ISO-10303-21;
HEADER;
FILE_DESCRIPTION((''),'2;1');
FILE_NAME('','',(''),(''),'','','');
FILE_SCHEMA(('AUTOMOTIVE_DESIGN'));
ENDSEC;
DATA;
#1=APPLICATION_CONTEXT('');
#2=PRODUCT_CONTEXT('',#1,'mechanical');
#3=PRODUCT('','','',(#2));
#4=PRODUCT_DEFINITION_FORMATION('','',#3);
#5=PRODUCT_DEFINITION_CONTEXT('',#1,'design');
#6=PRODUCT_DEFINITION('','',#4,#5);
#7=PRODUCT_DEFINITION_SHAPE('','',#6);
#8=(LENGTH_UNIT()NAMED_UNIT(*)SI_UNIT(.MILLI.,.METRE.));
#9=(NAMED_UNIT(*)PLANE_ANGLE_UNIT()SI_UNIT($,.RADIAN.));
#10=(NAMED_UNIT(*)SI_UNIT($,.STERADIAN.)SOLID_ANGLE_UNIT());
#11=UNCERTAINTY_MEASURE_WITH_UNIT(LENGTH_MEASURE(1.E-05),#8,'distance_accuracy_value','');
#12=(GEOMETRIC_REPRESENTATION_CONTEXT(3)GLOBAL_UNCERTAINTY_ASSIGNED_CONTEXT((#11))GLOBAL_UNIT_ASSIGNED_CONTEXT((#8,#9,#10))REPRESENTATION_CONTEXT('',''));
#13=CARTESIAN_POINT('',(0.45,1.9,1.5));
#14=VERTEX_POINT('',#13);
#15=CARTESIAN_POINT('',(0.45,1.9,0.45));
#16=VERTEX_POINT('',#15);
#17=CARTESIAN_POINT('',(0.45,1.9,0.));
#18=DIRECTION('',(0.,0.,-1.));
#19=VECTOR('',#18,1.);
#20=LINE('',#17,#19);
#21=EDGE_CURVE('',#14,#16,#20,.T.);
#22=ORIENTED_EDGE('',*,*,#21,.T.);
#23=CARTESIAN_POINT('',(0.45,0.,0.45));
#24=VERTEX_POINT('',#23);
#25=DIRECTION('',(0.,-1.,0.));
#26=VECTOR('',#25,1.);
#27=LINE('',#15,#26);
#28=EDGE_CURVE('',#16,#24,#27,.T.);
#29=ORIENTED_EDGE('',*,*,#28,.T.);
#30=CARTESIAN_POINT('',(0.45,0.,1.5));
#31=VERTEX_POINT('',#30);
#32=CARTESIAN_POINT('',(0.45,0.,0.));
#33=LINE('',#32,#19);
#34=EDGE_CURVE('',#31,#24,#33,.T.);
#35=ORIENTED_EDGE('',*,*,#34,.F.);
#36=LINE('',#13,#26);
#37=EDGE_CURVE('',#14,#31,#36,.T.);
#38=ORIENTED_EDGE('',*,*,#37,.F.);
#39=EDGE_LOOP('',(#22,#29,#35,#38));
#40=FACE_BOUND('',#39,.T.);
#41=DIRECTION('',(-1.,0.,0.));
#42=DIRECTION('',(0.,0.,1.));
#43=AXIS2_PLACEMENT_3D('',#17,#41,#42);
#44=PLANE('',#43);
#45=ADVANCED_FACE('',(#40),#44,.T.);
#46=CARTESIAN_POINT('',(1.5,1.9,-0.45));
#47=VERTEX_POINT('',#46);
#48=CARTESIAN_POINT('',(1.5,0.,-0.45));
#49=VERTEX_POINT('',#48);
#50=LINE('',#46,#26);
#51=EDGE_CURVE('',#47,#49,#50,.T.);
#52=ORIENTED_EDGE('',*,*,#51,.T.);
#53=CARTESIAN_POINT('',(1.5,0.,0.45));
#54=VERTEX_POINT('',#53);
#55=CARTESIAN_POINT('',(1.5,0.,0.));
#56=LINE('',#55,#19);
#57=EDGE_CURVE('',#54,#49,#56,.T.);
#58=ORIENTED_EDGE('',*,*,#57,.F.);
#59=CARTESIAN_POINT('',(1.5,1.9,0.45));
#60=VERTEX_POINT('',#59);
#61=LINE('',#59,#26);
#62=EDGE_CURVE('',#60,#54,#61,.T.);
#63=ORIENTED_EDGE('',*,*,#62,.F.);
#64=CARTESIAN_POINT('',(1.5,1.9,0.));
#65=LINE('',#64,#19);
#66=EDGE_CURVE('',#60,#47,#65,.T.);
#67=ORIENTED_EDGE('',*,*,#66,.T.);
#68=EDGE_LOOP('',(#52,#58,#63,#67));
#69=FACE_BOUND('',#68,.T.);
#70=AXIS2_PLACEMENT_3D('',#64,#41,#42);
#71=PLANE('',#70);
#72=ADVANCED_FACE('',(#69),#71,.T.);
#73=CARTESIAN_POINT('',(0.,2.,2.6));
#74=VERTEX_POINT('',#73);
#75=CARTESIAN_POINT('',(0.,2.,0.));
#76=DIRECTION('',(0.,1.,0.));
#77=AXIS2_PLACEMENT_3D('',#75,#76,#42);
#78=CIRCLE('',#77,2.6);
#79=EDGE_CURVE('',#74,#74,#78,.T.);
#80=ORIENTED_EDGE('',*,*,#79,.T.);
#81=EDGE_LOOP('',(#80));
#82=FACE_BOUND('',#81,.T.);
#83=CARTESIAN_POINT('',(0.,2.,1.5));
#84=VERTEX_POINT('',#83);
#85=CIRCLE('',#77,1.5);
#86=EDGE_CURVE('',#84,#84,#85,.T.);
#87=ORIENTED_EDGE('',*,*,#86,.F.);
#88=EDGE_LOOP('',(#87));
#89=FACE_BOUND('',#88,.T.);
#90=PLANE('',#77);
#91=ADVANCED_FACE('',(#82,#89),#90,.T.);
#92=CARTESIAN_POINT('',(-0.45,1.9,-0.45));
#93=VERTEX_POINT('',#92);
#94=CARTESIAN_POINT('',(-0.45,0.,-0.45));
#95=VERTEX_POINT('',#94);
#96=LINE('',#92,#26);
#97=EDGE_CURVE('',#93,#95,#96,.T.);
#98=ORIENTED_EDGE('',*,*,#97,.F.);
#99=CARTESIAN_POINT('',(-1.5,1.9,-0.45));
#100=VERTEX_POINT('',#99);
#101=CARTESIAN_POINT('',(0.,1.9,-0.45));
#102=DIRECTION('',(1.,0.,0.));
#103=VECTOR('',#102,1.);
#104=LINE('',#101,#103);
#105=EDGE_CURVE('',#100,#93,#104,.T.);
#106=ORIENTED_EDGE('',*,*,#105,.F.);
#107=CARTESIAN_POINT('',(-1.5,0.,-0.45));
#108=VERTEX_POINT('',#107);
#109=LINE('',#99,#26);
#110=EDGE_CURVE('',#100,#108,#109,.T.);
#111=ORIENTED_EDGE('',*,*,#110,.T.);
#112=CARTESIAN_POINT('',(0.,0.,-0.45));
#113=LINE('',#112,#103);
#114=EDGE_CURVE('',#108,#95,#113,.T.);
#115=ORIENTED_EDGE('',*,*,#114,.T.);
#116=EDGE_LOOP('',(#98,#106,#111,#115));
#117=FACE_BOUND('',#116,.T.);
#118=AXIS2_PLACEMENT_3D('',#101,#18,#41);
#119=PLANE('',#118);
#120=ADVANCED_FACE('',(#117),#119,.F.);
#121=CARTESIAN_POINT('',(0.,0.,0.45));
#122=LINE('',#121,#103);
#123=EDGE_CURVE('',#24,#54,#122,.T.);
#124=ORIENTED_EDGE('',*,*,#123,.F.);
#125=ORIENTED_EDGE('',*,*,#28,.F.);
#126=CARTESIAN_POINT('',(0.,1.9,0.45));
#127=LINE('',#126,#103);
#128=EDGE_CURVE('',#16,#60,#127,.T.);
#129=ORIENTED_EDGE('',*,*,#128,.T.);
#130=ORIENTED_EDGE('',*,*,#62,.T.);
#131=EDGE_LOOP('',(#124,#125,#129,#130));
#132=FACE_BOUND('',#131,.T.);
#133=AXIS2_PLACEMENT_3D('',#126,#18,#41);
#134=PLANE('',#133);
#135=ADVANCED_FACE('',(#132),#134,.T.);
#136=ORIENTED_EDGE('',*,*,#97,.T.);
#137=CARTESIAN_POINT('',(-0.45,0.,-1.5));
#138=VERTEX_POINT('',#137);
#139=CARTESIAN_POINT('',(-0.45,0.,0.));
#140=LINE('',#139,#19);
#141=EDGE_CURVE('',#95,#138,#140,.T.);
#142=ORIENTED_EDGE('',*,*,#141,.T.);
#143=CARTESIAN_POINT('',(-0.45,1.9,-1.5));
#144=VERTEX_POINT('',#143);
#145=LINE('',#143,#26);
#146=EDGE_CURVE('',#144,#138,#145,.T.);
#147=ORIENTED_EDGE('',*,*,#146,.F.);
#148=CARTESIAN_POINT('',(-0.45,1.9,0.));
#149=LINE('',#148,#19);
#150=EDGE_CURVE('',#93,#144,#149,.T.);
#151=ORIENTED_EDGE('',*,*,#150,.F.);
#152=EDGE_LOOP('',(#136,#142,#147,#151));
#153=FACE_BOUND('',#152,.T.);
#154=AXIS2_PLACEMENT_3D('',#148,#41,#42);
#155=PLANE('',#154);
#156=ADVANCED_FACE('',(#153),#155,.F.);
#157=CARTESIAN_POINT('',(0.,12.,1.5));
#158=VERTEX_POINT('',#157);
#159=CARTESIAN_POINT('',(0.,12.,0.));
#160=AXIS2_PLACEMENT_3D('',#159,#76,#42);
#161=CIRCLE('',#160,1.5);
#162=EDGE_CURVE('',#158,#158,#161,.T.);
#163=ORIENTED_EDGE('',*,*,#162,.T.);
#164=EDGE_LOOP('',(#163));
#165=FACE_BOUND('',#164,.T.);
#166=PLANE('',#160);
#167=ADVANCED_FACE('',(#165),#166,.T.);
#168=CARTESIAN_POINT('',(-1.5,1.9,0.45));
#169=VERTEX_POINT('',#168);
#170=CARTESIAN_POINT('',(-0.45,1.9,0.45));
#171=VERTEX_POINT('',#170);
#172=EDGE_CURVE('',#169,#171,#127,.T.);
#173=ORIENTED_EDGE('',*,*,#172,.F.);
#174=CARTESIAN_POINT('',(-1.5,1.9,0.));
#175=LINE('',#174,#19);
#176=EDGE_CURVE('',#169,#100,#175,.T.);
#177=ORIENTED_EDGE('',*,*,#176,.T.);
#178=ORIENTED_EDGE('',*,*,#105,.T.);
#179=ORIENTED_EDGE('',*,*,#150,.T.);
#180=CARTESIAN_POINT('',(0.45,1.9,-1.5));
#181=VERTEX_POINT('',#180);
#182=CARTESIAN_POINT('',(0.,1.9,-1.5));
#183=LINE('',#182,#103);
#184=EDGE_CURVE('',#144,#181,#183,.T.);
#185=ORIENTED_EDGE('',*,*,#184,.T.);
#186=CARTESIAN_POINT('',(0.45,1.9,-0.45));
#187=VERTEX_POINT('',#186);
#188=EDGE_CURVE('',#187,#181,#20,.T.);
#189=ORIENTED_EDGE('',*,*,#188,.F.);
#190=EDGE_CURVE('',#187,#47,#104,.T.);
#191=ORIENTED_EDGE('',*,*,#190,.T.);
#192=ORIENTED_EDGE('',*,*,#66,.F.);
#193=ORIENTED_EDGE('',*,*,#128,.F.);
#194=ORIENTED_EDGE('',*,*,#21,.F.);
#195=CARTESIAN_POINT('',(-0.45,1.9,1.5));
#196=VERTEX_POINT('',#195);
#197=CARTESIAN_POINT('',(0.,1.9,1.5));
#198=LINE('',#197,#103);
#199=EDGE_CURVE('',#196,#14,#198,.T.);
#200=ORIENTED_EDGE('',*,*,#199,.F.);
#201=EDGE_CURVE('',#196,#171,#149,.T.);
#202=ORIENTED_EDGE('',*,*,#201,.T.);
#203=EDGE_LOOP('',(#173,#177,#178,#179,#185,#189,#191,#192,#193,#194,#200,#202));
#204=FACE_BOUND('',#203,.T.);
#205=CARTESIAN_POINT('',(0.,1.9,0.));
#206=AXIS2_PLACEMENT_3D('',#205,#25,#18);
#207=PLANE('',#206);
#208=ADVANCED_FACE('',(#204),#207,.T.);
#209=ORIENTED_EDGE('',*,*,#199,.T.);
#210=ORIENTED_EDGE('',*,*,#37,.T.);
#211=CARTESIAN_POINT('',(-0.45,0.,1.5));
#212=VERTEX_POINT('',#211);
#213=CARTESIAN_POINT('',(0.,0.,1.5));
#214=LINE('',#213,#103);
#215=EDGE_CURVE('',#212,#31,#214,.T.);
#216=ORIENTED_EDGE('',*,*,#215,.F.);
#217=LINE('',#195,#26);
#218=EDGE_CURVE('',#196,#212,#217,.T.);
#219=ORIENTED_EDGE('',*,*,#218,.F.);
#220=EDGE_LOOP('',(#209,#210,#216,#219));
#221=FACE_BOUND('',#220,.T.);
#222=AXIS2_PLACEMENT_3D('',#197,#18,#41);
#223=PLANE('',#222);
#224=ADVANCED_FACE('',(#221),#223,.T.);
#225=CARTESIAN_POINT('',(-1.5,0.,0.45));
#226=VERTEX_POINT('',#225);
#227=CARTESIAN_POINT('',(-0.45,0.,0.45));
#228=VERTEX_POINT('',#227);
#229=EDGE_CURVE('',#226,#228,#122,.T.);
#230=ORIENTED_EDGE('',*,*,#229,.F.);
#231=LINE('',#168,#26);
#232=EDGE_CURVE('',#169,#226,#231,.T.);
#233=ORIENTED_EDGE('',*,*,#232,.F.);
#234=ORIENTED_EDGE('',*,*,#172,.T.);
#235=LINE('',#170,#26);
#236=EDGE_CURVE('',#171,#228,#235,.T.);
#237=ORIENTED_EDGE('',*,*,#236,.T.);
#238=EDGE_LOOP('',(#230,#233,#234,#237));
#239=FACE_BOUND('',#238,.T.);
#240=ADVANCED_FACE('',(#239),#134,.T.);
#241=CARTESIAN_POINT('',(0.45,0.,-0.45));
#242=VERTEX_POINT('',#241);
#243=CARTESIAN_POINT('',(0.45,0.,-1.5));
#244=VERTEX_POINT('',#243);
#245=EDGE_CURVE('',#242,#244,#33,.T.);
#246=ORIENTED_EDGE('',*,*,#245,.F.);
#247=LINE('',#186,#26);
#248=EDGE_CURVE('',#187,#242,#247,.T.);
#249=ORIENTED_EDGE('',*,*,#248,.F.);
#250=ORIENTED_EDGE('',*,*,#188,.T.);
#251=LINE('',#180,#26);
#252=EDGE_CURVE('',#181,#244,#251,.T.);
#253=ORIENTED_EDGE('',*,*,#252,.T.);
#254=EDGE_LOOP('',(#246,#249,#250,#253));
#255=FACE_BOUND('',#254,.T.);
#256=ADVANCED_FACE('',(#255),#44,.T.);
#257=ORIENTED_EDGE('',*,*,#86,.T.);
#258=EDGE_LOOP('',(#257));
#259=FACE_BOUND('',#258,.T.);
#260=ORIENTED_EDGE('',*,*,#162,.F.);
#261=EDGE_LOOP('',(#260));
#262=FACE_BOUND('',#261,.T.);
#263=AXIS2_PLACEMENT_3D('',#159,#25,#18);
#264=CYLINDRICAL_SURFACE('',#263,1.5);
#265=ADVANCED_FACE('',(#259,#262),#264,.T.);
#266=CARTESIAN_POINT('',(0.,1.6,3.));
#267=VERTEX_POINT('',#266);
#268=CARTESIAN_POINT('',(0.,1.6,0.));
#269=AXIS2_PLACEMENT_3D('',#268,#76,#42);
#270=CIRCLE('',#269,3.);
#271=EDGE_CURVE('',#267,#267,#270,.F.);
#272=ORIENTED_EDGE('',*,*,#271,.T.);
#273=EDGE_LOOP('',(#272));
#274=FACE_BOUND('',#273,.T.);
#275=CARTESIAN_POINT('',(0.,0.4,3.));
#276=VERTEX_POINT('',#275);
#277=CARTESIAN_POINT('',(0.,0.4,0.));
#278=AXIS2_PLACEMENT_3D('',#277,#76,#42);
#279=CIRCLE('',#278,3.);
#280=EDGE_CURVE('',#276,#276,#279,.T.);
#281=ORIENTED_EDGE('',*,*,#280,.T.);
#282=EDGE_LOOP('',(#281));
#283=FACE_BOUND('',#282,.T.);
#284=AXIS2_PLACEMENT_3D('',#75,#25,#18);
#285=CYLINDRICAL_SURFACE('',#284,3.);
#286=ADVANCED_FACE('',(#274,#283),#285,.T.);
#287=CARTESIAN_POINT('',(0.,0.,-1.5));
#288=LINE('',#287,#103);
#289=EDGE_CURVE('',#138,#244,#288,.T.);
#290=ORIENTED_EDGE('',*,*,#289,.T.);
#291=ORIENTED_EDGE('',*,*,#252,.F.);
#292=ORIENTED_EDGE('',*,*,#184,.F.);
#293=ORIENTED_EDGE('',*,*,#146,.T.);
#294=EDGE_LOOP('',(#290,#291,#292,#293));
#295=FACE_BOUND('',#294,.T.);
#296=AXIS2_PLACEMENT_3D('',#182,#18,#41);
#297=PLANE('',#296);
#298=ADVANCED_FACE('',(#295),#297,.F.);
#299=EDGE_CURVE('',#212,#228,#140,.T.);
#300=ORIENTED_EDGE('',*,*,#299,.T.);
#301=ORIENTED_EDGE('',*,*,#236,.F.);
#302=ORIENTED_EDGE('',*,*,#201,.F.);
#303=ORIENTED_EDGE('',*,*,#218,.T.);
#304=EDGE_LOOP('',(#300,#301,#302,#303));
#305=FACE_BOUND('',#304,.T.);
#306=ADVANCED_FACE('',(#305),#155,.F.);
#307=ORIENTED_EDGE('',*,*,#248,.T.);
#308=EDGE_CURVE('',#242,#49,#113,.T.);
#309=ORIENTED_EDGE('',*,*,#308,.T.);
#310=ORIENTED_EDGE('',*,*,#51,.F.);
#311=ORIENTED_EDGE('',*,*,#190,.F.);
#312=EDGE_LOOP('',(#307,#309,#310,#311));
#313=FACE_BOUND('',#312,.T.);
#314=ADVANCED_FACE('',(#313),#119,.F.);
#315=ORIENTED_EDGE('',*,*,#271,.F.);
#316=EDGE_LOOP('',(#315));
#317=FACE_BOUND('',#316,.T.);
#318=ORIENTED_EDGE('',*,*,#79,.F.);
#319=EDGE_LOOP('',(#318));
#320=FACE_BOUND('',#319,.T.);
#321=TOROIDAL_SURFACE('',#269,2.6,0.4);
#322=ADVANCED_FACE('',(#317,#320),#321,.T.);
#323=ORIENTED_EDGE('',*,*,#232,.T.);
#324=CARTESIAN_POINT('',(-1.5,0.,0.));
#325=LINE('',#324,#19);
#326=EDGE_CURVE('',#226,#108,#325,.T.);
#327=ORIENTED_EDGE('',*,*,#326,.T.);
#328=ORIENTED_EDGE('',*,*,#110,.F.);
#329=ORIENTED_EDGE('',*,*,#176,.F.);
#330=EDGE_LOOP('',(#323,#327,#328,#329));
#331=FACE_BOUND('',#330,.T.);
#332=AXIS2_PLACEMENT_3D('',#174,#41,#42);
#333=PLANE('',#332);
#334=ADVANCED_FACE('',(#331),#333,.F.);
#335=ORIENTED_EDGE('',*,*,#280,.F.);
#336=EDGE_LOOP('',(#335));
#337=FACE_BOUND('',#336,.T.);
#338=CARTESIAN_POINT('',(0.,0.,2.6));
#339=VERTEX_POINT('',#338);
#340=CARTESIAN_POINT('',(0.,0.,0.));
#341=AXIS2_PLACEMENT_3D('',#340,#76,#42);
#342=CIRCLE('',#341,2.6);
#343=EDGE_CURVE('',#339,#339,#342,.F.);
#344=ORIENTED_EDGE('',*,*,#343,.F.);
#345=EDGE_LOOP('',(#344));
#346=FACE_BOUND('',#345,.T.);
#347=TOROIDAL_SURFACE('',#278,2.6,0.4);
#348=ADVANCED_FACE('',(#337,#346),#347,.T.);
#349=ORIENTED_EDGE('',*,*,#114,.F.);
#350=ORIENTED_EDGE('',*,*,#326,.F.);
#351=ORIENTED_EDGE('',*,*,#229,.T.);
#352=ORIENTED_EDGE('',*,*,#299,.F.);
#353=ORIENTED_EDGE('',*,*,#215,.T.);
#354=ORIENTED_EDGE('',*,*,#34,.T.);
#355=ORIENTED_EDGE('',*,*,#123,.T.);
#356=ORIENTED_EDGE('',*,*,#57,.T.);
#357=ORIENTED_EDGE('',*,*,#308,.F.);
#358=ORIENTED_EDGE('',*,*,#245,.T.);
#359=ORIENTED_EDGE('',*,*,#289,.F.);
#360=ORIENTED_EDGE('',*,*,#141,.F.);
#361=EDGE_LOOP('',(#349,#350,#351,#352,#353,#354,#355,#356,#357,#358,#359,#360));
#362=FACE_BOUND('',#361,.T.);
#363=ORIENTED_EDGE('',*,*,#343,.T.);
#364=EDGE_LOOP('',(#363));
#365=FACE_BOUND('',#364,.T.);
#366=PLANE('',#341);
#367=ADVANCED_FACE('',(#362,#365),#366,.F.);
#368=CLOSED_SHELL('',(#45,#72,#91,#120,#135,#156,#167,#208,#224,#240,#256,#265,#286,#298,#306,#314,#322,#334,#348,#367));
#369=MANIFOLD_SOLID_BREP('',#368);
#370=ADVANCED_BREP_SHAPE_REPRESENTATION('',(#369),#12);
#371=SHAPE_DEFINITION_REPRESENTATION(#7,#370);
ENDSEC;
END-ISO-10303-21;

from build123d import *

# Parameters (mm, degrees)
SKETCH1_R           = 3
BOSS_EXTRUDE1_DEPTH = 2
SKETCH2_R           = 1.5
BOSS_EXTRUDE2_DEPTH = 10
SKETCH3_W           = 0.9
SKETCH3_H           = 0.9
SKETCH3_W_2         = 1.05
SKETCH3_H_2         = 1.05
CUT_EXTRUDE1_DEPTH  = 1.9
FILLET1_R           = 0.4


with BuildPart() as part:
    # Sketch1 → Boss-Extrude1 (new body)
    with BuildSketch(Plane(origin=(0, 0, 0), x_dir=(1, 0, 0), z_dir=(0, 1, 0))):
        Circle(SKETCH1_R)
    extrude(amount=BOSS_EXTRUDE1_DEPTH)

    # Sketch2 → Boss-Extrude2 (add)
    with BuildSketch(Plane(origin=(0, 2, 0), x_dir=(1, 0, 0), z_dir=(0, 1, 0))):
        Circle(SKETCH2_R)
    extrude(amount=BOSS_EXTRUDE2_DEPTH)

    # Sketch3 → Cut-Extrude1 (cut)
    with BuildSketch(Plane(origin=(0, 0, 0), x_dir=(-1, 0, 0), z_dir=(0, -1, 0))):
        Rectangle(SKETCH3_W, SKETCH3_H)
        with Locations((0.975, 0)):
            Rectangle(SKETCH3_W_2, SKETCH3_H)
        with Locations((0, -0.975)):
            Rectangle(SKETCH3_W, SKETCH3_H_2)
        with Locations((-0.975, 0)):
            Rectangle(SKETCH3_W_2, SKETCH3_H)
        with Locations((0, 0.975)):
            Rectangle(SKETCH3_W, SKETCH3_H_2)
    extrude(amount=-CUT_EXTRUDE1_DEPTH, mode=Mode.SUBTRACT)

    # Fillet1
    fillet1_edges = [part.edges().sort_by_distance(p)[0] for p in [
        (-3, 0, 0),
        (-3, 2, 0),
    ]]
    fillet(fillet1_edges, radius=FILLET1_R)


solid = part.part
